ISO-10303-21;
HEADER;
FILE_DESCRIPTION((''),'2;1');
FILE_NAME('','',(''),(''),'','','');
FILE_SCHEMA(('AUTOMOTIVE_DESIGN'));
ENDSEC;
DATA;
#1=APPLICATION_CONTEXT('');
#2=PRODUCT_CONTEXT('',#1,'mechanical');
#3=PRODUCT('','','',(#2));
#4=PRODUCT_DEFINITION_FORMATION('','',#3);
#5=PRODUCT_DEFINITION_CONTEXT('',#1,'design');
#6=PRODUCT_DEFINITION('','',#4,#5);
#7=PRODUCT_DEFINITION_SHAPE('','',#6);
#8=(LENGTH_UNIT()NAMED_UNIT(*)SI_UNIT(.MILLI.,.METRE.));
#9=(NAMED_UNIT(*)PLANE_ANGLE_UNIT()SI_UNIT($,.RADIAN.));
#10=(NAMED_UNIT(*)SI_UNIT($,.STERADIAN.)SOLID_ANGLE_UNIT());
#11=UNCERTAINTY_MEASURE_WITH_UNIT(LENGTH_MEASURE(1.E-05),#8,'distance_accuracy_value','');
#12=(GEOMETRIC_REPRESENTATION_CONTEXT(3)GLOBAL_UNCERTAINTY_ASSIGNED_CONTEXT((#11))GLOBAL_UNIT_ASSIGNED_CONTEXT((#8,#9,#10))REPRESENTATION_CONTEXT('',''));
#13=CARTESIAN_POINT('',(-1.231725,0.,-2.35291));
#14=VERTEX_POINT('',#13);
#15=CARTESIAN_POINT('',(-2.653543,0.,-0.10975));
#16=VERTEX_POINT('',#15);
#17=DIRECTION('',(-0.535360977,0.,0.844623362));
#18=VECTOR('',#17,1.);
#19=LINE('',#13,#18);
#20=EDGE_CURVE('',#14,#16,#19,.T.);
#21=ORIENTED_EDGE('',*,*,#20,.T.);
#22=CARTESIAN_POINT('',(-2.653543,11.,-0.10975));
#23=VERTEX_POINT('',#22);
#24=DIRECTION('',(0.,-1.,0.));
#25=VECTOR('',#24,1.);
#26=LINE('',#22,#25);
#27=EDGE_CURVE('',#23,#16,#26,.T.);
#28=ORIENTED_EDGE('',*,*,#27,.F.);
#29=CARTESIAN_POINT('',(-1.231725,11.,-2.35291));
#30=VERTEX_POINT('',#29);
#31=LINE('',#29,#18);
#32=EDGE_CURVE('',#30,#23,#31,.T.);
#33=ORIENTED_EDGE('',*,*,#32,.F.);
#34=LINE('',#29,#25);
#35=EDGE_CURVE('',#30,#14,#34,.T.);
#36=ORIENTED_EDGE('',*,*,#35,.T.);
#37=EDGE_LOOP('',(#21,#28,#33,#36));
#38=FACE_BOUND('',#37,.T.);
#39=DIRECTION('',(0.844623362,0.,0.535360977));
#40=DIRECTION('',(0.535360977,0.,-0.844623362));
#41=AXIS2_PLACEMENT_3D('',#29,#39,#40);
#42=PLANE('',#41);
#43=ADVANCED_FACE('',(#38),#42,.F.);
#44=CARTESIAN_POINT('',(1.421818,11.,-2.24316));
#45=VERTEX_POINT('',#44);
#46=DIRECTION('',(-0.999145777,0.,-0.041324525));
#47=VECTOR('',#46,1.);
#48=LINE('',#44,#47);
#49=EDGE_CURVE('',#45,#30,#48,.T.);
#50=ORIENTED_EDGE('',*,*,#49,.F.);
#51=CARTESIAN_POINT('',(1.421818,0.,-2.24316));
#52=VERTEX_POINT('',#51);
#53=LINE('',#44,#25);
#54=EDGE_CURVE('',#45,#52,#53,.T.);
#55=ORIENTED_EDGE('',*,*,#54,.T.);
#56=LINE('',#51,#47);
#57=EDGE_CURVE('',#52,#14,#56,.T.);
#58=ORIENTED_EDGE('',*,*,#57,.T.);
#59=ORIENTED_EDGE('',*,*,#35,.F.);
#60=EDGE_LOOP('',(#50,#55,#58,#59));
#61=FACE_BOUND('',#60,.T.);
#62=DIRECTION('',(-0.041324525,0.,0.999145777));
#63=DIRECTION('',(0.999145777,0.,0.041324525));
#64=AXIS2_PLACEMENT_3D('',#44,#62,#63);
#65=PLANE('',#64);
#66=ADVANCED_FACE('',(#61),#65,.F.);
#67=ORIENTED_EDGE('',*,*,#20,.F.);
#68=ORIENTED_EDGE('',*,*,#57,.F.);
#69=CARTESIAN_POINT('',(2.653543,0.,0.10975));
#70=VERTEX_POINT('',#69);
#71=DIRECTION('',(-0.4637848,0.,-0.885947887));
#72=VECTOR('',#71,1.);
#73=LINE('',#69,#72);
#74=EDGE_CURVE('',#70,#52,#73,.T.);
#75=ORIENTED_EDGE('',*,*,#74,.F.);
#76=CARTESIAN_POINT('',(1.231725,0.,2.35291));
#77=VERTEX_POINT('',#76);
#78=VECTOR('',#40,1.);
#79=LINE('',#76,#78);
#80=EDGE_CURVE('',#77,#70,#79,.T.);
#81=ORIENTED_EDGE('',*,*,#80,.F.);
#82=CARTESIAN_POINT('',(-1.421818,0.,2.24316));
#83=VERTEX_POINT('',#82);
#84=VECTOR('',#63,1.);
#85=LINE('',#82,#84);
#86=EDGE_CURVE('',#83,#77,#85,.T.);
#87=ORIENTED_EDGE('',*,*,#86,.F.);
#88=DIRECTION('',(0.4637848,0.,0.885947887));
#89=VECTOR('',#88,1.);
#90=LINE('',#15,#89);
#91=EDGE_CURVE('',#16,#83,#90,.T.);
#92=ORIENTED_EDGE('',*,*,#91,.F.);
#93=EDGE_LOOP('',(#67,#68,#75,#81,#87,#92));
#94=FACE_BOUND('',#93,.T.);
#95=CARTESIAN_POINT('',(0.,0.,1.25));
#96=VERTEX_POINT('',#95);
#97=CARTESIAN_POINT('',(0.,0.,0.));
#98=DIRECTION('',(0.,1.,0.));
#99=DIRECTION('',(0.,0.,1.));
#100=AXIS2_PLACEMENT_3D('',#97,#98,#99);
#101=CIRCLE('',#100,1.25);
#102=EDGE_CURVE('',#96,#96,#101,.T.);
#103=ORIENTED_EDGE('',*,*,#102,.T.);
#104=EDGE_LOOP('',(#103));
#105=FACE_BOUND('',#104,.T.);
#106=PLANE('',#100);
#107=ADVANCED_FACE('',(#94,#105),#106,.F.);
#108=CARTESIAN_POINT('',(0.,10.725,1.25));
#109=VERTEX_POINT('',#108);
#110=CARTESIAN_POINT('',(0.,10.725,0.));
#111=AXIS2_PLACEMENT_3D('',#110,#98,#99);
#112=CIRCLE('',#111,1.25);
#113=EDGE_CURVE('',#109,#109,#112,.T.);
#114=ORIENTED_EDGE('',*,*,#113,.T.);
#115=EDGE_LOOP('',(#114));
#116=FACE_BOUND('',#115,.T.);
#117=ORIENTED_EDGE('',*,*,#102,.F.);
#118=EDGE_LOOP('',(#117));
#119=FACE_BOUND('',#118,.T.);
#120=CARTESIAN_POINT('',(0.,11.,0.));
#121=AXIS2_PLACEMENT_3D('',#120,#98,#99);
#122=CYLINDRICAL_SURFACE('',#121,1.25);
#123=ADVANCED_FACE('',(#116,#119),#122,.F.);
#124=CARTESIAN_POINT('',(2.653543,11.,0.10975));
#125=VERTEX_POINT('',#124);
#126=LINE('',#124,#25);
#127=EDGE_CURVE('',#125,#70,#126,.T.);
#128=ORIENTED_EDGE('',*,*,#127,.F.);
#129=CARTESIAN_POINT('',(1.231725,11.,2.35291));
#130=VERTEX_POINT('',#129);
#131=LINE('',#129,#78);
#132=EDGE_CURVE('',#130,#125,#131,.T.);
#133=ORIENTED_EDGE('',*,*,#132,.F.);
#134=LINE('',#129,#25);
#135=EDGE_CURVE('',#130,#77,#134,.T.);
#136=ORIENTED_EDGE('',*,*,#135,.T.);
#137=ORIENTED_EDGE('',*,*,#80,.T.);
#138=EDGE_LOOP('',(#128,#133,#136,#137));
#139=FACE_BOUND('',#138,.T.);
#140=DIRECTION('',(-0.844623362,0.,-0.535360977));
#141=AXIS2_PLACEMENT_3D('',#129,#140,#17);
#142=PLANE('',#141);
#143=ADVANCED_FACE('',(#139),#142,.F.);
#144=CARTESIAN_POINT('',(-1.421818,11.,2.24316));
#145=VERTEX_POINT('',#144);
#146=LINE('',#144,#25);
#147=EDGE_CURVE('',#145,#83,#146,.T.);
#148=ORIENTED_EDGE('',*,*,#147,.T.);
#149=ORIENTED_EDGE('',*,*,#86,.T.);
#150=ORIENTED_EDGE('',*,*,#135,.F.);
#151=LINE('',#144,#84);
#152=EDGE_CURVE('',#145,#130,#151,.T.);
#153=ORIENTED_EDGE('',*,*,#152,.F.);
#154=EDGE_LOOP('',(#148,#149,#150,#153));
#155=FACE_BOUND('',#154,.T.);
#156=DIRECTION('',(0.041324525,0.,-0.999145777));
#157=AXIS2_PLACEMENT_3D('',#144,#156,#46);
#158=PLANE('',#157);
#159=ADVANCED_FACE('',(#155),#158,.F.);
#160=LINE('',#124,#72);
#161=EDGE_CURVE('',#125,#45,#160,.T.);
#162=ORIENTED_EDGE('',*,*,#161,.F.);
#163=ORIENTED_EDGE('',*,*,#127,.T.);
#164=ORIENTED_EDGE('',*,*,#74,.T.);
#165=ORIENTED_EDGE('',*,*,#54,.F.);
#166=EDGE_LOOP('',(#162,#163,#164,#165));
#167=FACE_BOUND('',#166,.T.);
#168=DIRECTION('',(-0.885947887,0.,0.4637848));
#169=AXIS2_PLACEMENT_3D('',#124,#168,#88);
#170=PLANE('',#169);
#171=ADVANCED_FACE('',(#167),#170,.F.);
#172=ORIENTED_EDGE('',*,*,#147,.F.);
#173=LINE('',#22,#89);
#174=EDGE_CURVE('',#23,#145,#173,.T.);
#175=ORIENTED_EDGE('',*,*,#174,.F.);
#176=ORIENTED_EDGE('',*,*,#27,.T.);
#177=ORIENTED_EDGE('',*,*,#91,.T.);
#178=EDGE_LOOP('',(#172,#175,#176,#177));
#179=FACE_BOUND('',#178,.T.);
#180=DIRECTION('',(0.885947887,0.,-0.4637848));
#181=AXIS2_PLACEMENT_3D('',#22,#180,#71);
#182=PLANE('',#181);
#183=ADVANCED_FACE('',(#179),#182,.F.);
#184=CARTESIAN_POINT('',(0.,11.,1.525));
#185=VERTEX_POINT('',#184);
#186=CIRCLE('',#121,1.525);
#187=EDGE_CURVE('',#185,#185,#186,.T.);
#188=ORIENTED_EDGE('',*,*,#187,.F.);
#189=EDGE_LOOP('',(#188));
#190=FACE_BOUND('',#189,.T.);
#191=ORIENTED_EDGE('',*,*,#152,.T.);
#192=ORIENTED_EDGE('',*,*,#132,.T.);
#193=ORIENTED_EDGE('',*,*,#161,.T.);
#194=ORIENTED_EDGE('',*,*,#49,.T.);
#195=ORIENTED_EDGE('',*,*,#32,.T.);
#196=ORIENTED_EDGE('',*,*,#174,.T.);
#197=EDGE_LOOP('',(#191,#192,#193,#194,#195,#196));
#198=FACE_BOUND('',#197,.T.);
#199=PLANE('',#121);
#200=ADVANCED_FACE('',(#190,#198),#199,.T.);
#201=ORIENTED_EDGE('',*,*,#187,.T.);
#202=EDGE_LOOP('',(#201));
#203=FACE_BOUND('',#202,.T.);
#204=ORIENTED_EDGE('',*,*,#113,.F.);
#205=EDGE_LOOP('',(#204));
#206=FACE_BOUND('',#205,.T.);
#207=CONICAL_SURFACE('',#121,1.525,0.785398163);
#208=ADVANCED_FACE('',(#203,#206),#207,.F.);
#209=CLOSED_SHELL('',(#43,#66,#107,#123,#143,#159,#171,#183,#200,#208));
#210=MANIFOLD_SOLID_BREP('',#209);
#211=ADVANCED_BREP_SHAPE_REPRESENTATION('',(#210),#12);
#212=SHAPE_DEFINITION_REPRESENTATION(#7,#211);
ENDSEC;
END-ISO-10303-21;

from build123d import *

# Parameters (mm, degrees)
SKETCH_1_R                   = 1.1
EXTRUDE_1_DEPTH              = 11
HOLE_WIZARD_M3_2_D           = 2.5
HOLE_WIZARD_M3_2_CSINK_D     = 3.05
HOLE_WIZARD_M3_2_CSINK_ANGLE = 90


with BuildPart() as part:
    # 草图1 → 凸台-拉伸1 (new body)
    with BuildSketch(Plane(origin=(0, 0, 0), x_dir=(1, 0, 0), z_dir=(0, 1, 0))):
        Polygon((1.231724884, -2.352910356), (2.653542583, -0.109750138), (1.421817699, 2.243160218), (-1.231724884, 2.352910356), (-2.653542583, 0.109750138), (-1.421817699, -2.243160218), align=None)
        Circle(SKETCH_1_R, mode=Mode.SUBTRACT)
    extrude(amount=EXTRUDE_1_DEPTH)

    # M3 螺纹孔2 (through all)
    with Locations(Plane(origin=(0, 11, 0), x_dir=(1, 0, 0), z_dir=(0, 1, 0))):
        with Locations((0, 0)):
            CounterSinkHole(HOLE_WIZARD_M3_2_D / 2, HOLE_WIZARD_M3_2_CSINK_D / 2, counter_sink_angle=HOLE_WIZARD_M3_2_CSINK_ANGLE)


solid = part.part
